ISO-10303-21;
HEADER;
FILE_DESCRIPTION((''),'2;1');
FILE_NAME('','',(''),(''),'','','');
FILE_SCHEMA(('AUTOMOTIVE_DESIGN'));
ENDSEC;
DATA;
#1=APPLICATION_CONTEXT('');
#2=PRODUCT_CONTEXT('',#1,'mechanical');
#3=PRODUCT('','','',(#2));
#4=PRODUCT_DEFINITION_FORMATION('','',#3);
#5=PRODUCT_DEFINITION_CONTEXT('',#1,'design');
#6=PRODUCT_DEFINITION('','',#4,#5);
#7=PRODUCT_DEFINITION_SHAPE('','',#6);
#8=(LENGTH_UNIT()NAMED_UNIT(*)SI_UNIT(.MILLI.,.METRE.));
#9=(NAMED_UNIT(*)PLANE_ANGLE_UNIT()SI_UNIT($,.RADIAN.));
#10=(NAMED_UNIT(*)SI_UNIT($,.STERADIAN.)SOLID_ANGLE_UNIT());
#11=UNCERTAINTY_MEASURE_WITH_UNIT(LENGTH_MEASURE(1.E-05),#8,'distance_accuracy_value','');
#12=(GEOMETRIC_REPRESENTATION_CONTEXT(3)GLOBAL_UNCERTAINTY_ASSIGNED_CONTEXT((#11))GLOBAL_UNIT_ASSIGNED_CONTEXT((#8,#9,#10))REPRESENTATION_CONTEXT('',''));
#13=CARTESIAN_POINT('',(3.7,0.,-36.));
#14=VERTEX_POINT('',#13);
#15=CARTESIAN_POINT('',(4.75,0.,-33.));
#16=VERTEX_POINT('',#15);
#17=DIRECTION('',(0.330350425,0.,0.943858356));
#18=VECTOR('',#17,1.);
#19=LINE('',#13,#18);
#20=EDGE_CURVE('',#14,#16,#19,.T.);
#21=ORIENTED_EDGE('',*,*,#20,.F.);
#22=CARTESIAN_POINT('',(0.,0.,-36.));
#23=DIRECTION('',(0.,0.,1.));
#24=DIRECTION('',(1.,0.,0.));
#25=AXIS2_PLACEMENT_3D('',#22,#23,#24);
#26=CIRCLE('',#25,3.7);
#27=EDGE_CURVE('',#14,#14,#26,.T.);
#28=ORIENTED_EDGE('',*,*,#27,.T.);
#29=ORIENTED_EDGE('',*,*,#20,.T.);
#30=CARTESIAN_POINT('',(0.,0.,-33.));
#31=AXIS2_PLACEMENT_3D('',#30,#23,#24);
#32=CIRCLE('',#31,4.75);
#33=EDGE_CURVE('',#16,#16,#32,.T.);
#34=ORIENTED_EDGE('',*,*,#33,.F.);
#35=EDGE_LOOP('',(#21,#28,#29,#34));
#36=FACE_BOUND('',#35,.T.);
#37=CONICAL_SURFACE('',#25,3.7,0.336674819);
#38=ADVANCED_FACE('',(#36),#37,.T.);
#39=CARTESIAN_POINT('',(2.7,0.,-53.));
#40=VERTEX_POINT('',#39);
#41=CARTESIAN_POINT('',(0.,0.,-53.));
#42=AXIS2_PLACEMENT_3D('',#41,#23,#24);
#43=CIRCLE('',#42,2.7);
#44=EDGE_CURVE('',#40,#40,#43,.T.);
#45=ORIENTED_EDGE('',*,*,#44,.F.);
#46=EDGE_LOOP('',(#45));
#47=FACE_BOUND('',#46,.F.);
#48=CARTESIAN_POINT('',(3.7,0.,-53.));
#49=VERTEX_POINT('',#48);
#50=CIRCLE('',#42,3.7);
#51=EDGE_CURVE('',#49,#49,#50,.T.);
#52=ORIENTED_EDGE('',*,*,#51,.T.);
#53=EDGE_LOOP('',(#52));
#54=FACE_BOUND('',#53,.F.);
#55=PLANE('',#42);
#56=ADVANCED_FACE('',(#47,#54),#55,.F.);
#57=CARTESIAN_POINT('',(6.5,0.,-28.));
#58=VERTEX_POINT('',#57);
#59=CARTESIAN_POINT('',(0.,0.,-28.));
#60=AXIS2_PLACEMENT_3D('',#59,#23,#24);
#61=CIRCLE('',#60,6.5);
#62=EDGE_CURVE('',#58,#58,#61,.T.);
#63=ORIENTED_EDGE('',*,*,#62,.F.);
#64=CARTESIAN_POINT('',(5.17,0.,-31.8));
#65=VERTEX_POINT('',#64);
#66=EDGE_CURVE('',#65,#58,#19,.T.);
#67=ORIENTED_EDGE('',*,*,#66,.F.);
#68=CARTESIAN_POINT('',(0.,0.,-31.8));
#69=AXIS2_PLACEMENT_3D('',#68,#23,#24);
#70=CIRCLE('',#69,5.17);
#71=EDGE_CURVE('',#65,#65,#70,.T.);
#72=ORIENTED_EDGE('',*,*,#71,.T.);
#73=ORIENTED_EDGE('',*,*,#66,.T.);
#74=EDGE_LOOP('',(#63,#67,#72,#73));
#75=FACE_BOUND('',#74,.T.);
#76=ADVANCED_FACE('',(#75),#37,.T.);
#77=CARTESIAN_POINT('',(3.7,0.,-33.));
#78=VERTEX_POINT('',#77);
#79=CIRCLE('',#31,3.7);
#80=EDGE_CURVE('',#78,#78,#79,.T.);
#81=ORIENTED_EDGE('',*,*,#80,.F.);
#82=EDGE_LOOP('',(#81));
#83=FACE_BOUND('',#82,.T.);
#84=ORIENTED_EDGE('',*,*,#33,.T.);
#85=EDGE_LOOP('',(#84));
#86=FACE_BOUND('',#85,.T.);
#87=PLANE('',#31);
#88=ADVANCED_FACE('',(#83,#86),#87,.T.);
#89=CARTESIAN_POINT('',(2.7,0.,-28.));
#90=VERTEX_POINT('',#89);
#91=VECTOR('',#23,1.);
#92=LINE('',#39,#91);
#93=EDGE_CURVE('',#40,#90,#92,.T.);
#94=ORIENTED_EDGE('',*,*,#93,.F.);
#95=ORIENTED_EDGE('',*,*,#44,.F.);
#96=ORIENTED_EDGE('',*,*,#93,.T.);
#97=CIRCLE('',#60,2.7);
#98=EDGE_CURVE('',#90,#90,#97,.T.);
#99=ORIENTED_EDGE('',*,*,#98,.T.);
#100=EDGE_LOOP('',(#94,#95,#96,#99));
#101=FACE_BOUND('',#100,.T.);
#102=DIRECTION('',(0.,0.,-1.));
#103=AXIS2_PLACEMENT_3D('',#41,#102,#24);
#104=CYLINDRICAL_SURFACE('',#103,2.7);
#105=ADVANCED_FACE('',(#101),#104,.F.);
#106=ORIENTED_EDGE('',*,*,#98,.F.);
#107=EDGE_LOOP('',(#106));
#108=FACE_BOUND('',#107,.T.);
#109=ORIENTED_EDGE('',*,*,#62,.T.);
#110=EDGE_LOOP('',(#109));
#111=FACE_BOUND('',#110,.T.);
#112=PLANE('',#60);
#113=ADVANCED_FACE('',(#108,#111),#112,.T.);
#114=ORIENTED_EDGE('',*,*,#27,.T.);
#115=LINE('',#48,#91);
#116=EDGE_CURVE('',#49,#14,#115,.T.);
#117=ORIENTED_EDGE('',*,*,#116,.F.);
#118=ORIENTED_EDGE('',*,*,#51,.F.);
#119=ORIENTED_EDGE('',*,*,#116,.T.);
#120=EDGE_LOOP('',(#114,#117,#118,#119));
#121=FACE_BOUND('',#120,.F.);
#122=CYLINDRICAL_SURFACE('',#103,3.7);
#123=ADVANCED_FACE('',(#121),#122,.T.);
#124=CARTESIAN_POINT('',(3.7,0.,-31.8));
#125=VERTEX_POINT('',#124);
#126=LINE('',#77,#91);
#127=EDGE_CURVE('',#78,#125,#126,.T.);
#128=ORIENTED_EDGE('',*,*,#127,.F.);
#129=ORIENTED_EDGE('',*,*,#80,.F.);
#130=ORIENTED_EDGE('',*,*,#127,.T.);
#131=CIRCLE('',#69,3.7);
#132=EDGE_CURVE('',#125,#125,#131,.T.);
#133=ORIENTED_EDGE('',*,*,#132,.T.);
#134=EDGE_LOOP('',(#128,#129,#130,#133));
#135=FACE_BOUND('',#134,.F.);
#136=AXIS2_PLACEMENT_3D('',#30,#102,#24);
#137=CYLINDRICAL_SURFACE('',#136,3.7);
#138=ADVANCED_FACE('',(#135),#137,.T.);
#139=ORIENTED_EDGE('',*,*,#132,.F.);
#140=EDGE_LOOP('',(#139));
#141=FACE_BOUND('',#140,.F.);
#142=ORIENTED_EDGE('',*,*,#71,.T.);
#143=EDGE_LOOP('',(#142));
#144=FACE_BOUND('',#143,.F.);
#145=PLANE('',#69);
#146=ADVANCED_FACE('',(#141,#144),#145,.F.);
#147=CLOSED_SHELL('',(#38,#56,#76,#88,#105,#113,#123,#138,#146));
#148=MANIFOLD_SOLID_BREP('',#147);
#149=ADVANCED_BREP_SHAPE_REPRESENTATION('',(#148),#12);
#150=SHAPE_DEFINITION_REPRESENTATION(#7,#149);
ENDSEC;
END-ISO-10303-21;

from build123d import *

# Parameters (mm, degrees)
CYLINDER043_R     = 2.7
CYLINDER043_DEPTH = 25
CYLINDER042_R     = 3.7
CYLINDER042_DEPTH = 25
CYLINDER040_R     = 3.7
CYLINDER040_DEPTH = 1.2
CYLINDER041_R     = 6
CYLINDER041_DEPTH = 1.2


with BuildPart() as cylinder041:
    # Cylinder043 → Cylinder043 (new body)
    with BuildSketch(Plane.XY.offset(-38)):
        Circle(CYLINDER043_R)
    extrude(amount=CYLINDER043_DEPTH)


with BuildPart() as cylinder040:
    # Cylinder042 → Cylinder042 (new body)
    with BuildSketch(Plane.XY.offset(-38)):
        Circle(CYLINDER042_R)
    extrude(amount=CYLINDER042_DEPTH)


with BuildPart() as cylinder038:
    # Cylinder040 → Cylinder040 (new body)
    with BuildSketch(Plane.XY.offset(-18)):
        Circle(CYLINDER040_R)
    extrude(amount=CYLINDER040_DEPTH)


with BuildPart() as cut013005:
    # Cylinder041 → Cylinder041 (new body)
    with BuildSketch(Plane.XY.offset(-18)):
        Circle(CYLINDER041_R)
    extrude(amount=CYLINDER041_DEPTH)

    # Cut013005: cut Cylinder038
    add(cylinder038.part, mode=Mode.SUBTRACT)


with BuildPart() as connector_boot:
    # Cone004 → Cone004 (revolve)
    with BuildSketch(Plane(origin=(0, 0, -21), x_dir=(1, 0, 0), z_dir=(0, -1, 0))):
        Polygon((0, 0), (3.7, 0), (6.5, 8), (0, 8), align=None)
    revolve(axis=Axis((0, 0, -21), (0, 0, 1)))

    # Cut013006: cut Cut013005
    add(cut013005.part, mode=Mode.SUBTRACT)

    # Fusion017: union Cylinder040
    add(cylinder040.part)

    # Cut013007: cut Cylinder041
    add(cylinder041.part, mode=Mode.SUBTRACT)


with BuildPart() as connector_boot_1:
    # Cut013007 placement: moved
    add(connector_boot.part.moved(Location((0, 0, -15))))


solid = connector_boot_1.part
